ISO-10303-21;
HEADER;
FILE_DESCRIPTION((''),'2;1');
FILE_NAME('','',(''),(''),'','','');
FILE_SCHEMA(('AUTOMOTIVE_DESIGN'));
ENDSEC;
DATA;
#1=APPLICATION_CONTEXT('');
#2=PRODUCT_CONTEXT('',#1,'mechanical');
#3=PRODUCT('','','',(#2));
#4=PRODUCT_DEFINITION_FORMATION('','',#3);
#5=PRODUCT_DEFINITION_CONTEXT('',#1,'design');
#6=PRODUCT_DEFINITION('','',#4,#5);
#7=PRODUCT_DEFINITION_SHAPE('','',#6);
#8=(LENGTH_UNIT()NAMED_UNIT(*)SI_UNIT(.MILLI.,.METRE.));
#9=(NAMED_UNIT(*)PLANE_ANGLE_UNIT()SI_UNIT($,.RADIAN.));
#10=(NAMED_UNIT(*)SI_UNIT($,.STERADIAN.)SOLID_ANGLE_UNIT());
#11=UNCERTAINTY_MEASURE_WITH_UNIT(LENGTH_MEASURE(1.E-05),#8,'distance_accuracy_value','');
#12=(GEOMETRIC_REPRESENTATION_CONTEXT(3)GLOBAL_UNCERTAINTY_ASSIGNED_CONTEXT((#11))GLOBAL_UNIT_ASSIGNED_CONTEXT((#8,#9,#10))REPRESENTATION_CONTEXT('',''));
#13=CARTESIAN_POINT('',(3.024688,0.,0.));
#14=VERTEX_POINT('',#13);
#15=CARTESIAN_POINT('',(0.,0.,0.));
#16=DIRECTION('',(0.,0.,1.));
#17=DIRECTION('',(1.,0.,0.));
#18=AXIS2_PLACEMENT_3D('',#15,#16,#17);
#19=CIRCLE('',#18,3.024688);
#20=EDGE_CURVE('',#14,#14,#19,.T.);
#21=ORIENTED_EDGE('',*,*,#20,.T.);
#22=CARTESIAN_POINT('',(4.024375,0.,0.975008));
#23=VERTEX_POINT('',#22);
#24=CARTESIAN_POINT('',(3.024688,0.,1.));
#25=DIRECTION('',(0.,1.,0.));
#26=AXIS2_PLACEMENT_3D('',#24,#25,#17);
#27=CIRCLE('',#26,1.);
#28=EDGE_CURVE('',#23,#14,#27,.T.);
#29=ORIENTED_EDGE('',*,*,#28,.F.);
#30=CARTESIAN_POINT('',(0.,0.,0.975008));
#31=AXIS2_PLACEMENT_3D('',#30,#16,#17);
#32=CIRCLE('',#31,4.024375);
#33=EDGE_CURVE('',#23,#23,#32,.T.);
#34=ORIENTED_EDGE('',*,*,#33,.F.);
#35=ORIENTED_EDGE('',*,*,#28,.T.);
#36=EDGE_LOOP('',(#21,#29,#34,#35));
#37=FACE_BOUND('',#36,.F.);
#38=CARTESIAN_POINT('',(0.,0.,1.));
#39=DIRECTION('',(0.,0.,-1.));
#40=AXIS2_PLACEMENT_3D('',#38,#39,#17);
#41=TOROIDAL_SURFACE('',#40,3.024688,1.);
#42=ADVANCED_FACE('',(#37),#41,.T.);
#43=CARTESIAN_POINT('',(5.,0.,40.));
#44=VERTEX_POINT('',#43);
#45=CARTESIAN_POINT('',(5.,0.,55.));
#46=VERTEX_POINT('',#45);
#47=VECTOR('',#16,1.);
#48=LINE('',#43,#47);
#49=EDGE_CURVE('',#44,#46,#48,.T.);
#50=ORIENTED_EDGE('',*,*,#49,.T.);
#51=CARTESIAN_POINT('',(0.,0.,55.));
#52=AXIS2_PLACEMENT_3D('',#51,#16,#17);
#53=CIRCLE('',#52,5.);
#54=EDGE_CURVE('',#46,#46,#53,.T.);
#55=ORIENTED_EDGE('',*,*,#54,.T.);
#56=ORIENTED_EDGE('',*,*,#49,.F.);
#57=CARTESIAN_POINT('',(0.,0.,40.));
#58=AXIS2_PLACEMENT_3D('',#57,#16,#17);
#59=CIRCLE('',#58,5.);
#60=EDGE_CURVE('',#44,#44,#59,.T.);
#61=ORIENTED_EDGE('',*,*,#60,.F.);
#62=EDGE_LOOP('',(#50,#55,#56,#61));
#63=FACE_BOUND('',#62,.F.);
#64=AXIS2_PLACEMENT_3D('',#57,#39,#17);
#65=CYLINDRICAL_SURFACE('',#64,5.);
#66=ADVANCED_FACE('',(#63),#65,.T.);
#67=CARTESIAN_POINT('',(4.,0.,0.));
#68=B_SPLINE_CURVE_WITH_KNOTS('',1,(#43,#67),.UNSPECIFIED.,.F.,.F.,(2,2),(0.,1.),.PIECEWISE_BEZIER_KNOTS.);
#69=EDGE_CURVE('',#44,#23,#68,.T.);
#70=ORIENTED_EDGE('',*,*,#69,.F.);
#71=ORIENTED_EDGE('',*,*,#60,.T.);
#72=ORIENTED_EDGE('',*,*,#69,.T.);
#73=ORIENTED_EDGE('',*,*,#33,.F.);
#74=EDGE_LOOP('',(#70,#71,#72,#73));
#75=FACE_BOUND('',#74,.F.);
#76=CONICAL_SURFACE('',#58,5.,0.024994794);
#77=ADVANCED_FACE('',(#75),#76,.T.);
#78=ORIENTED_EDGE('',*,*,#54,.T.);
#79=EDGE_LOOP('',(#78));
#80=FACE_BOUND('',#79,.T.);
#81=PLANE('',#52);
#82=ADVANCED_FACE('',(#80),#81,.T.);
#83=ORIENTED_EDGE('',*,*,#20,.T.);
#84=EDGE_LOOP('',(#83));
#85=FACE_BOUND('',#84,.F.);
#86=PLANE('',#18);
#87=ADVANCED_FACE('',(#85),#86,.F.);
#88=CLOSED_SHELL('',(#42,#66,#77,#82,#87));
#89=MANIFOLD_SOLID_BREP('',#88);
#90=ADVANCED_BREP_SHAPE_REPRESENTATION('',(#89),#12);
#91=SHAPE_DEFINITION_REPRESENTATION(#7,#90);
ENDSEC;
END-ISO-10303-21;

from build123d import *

# Parameters (mm, degrees)
F2_R     = 5
F0_R     = 4
F4_R     = 1
F5_R     = 5
F6_DEPTH = 15


with BuildPart() as f3:
    # F2 (on offset) → F3 section 0
    with BuildSketch(Plane.XY.offset(40)):
        Circle(F2_R)
    # F0 (on Top) → F3 section 1
    with BuildSketch(Plane.XY):
        Circle(F0_R)
    loft()

    # F4
    f4_edges = [f3.edges().sort_by_distance(p)[0] for p in [
        (-4, 0, 0),
    ]]
    fillet(f4_edges, radius=F4_R)

    # F5 (on face) → F6 (join)
    with BuildSketch(Plane.XY.offset(40)):
        Circle(F5_R)
    extrude(amount=F6_DEPTH)


solid = f3.part
